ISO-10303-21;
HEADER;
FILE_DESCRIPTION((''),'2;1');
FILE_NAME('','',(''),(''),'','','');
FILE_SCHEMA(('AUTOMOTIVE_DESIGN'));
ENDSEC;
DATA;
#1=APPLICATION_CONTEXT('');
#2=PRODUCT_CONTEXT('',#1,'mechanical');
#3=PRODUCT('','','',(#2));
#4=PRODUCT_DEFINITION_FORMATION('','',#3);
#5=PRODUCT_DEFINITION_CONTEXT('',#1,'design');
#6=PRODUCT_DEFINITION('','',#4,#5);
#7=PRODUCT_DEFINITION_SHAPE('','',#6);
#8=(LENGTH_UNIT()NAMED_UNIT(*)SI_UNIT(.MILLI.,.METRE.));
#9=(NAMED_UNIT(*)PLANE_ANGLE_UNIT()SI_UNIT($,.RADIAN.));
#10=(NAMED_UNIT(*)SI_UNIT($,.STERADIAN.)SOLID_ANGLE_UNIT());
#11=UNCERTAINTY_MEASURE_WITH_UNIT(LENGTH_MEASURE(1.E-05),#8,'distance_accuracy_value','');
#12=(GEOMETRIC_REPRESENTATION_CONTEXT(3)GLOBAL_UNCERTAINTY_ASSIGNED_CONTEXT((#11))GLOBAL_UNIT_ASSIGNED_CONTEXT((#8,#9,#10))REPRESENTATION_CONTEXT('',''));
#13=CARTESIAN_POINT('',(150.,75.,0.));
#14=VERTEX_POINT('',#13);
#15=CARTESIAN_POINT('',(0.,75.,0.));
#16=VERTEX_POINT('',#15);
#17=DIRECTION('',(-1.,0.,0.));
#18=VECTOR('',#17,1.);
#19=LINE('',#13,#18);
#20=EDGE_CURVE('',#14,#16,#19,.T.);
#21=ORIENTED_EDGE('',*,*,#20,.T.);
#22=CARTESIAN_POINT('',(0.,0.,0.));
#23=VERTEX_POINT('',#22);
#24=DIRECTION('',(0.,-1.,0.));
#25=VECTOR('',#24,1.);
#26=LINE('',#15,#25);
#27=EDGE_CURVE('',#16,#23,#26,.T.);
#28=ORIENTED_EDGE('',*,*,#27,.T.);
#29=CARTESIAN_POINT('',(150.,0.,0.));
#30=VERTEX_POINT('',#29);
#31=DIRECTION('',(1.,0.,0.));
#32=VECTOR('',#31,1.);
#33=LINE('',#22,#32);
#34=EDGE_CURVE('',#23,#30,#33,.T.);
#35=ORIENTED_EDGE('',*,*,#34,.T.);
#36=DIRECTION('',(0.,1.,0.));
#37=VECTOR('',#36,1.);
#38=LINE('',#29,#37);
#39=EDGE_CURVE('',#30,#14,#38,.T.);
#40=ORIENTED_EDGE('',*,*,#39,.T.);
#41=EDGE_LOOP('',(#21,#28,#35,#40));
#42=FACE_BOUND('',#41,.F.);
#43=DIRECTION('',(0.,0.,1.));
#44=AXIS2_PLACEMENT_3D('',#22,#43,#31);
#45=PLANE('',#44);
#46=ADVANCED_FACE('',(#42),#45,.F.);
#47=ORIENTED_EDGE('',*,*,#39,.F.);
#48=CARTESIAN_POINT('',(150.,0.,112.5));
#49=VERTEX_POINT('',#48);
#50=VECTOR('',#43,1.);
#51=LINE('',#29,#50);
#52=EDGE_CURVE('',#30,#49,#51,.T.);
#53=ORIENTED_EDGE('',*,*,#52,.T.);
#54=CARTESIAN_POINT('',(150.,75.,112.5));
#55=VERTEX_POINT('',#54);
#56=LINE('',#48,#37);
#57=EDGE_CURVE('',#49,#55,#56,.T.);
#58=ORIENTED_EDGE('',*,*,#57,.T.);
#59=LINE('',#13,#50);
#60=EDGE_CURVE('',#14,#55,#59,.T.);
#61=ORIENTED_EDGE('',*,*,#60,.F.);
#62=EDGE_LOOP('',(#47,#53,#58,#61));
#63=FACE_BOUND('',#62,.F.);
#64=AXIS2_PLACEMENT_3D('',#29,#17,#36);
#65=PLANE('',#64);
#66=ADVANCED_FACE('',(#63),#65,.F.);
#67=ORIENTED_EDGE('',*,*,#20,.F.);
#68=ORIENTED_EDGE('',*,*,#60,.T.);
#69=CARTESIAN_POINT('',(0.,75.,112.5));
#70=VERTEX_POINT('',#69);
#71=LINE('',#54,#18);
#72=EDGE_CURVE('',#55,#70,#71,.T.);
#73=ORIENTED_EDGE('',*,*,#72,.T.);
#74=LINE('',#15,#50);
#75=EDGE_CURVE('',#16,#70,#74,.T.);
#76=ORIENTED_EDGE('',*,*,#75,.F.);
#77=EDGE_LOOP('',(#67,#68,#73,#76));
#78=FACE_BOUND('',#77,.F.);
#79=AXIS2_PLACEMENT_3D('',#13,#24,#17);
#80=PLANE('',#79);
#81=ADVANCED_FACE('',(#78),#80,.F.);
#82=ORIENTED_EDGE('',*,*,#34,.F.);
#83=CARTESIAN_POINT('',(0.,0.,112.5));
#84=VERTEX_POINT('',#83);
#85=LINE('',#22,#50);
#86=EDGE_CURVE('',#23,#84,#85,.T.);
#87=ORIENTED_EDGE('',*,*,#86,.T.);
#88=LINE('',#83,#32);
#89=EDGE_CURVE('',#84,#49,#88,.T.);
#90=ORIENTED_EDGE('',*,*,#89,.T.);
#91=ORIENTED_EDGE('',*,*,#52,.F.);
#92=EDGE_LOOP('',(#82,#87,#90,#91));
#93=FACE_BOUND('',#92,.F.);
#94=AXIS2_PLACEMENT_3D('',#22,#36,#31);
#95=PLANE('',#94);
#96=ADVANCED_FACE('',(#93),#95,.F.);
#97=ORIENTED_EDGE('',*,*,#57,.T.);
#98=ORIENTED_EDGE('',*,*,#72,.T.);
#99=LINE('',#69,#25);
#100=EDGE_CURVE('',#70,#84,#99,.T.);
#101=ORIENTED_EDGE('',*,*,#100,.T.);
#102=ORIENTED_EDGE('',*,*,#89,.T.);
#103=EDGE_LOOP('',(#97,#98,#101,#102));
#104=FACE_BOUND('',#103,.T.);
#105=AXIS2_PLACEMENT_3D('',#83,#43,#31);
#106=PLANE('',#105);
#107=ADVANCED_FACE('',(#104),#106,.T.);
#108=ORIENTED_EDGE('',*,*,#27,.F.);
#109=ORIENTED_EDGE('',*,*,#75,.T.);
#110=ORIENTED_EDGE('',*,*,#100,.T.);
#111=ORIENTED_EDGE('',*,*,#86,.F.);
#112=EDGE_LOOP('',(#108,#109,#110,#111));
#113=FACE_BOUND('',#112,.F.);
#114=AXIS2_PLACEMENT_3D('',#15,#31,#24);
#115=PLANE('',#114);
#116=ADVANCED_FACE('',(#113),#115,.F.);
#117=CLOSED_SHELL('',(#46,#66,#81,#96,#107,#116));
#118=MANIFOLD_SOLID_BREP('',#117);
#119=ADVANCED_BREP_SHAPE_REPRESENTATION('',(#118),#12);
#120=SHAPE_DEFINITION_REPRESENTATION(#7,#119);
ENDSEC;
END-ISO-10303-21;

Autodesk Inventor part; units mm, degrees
ref_plane "YZ Plane" through (0, 0, 0) normal (1, 0, 0) x (0, 1, 0)
ref_plane "XZ Plane" through (0, 0, 0) normal (0, 1, 0) x (-1, 0, 0)
ref_plane "XY Plane" through (0, 0, 0) normal (0, 0, 1) x (1, 0, 0)
sketch "Sketch1" plane through (0, 0, 0) normal (0, 0, 1) x (1, 0, 0)
  line L0 (0, 0) -> (150, 0)
  line L1 (150, 0) -> (150, 75)
  line L2 (150, 75) -> (0, 75)
  line L3 (0, 75) -> (0, 0)
  dimension "Width" = 150
  dimension "Height" = 75
extrude "Extrusion1" add sketch "Sketch1" along normal blind 112.5
properties part number "CE-2.1.3-01"
